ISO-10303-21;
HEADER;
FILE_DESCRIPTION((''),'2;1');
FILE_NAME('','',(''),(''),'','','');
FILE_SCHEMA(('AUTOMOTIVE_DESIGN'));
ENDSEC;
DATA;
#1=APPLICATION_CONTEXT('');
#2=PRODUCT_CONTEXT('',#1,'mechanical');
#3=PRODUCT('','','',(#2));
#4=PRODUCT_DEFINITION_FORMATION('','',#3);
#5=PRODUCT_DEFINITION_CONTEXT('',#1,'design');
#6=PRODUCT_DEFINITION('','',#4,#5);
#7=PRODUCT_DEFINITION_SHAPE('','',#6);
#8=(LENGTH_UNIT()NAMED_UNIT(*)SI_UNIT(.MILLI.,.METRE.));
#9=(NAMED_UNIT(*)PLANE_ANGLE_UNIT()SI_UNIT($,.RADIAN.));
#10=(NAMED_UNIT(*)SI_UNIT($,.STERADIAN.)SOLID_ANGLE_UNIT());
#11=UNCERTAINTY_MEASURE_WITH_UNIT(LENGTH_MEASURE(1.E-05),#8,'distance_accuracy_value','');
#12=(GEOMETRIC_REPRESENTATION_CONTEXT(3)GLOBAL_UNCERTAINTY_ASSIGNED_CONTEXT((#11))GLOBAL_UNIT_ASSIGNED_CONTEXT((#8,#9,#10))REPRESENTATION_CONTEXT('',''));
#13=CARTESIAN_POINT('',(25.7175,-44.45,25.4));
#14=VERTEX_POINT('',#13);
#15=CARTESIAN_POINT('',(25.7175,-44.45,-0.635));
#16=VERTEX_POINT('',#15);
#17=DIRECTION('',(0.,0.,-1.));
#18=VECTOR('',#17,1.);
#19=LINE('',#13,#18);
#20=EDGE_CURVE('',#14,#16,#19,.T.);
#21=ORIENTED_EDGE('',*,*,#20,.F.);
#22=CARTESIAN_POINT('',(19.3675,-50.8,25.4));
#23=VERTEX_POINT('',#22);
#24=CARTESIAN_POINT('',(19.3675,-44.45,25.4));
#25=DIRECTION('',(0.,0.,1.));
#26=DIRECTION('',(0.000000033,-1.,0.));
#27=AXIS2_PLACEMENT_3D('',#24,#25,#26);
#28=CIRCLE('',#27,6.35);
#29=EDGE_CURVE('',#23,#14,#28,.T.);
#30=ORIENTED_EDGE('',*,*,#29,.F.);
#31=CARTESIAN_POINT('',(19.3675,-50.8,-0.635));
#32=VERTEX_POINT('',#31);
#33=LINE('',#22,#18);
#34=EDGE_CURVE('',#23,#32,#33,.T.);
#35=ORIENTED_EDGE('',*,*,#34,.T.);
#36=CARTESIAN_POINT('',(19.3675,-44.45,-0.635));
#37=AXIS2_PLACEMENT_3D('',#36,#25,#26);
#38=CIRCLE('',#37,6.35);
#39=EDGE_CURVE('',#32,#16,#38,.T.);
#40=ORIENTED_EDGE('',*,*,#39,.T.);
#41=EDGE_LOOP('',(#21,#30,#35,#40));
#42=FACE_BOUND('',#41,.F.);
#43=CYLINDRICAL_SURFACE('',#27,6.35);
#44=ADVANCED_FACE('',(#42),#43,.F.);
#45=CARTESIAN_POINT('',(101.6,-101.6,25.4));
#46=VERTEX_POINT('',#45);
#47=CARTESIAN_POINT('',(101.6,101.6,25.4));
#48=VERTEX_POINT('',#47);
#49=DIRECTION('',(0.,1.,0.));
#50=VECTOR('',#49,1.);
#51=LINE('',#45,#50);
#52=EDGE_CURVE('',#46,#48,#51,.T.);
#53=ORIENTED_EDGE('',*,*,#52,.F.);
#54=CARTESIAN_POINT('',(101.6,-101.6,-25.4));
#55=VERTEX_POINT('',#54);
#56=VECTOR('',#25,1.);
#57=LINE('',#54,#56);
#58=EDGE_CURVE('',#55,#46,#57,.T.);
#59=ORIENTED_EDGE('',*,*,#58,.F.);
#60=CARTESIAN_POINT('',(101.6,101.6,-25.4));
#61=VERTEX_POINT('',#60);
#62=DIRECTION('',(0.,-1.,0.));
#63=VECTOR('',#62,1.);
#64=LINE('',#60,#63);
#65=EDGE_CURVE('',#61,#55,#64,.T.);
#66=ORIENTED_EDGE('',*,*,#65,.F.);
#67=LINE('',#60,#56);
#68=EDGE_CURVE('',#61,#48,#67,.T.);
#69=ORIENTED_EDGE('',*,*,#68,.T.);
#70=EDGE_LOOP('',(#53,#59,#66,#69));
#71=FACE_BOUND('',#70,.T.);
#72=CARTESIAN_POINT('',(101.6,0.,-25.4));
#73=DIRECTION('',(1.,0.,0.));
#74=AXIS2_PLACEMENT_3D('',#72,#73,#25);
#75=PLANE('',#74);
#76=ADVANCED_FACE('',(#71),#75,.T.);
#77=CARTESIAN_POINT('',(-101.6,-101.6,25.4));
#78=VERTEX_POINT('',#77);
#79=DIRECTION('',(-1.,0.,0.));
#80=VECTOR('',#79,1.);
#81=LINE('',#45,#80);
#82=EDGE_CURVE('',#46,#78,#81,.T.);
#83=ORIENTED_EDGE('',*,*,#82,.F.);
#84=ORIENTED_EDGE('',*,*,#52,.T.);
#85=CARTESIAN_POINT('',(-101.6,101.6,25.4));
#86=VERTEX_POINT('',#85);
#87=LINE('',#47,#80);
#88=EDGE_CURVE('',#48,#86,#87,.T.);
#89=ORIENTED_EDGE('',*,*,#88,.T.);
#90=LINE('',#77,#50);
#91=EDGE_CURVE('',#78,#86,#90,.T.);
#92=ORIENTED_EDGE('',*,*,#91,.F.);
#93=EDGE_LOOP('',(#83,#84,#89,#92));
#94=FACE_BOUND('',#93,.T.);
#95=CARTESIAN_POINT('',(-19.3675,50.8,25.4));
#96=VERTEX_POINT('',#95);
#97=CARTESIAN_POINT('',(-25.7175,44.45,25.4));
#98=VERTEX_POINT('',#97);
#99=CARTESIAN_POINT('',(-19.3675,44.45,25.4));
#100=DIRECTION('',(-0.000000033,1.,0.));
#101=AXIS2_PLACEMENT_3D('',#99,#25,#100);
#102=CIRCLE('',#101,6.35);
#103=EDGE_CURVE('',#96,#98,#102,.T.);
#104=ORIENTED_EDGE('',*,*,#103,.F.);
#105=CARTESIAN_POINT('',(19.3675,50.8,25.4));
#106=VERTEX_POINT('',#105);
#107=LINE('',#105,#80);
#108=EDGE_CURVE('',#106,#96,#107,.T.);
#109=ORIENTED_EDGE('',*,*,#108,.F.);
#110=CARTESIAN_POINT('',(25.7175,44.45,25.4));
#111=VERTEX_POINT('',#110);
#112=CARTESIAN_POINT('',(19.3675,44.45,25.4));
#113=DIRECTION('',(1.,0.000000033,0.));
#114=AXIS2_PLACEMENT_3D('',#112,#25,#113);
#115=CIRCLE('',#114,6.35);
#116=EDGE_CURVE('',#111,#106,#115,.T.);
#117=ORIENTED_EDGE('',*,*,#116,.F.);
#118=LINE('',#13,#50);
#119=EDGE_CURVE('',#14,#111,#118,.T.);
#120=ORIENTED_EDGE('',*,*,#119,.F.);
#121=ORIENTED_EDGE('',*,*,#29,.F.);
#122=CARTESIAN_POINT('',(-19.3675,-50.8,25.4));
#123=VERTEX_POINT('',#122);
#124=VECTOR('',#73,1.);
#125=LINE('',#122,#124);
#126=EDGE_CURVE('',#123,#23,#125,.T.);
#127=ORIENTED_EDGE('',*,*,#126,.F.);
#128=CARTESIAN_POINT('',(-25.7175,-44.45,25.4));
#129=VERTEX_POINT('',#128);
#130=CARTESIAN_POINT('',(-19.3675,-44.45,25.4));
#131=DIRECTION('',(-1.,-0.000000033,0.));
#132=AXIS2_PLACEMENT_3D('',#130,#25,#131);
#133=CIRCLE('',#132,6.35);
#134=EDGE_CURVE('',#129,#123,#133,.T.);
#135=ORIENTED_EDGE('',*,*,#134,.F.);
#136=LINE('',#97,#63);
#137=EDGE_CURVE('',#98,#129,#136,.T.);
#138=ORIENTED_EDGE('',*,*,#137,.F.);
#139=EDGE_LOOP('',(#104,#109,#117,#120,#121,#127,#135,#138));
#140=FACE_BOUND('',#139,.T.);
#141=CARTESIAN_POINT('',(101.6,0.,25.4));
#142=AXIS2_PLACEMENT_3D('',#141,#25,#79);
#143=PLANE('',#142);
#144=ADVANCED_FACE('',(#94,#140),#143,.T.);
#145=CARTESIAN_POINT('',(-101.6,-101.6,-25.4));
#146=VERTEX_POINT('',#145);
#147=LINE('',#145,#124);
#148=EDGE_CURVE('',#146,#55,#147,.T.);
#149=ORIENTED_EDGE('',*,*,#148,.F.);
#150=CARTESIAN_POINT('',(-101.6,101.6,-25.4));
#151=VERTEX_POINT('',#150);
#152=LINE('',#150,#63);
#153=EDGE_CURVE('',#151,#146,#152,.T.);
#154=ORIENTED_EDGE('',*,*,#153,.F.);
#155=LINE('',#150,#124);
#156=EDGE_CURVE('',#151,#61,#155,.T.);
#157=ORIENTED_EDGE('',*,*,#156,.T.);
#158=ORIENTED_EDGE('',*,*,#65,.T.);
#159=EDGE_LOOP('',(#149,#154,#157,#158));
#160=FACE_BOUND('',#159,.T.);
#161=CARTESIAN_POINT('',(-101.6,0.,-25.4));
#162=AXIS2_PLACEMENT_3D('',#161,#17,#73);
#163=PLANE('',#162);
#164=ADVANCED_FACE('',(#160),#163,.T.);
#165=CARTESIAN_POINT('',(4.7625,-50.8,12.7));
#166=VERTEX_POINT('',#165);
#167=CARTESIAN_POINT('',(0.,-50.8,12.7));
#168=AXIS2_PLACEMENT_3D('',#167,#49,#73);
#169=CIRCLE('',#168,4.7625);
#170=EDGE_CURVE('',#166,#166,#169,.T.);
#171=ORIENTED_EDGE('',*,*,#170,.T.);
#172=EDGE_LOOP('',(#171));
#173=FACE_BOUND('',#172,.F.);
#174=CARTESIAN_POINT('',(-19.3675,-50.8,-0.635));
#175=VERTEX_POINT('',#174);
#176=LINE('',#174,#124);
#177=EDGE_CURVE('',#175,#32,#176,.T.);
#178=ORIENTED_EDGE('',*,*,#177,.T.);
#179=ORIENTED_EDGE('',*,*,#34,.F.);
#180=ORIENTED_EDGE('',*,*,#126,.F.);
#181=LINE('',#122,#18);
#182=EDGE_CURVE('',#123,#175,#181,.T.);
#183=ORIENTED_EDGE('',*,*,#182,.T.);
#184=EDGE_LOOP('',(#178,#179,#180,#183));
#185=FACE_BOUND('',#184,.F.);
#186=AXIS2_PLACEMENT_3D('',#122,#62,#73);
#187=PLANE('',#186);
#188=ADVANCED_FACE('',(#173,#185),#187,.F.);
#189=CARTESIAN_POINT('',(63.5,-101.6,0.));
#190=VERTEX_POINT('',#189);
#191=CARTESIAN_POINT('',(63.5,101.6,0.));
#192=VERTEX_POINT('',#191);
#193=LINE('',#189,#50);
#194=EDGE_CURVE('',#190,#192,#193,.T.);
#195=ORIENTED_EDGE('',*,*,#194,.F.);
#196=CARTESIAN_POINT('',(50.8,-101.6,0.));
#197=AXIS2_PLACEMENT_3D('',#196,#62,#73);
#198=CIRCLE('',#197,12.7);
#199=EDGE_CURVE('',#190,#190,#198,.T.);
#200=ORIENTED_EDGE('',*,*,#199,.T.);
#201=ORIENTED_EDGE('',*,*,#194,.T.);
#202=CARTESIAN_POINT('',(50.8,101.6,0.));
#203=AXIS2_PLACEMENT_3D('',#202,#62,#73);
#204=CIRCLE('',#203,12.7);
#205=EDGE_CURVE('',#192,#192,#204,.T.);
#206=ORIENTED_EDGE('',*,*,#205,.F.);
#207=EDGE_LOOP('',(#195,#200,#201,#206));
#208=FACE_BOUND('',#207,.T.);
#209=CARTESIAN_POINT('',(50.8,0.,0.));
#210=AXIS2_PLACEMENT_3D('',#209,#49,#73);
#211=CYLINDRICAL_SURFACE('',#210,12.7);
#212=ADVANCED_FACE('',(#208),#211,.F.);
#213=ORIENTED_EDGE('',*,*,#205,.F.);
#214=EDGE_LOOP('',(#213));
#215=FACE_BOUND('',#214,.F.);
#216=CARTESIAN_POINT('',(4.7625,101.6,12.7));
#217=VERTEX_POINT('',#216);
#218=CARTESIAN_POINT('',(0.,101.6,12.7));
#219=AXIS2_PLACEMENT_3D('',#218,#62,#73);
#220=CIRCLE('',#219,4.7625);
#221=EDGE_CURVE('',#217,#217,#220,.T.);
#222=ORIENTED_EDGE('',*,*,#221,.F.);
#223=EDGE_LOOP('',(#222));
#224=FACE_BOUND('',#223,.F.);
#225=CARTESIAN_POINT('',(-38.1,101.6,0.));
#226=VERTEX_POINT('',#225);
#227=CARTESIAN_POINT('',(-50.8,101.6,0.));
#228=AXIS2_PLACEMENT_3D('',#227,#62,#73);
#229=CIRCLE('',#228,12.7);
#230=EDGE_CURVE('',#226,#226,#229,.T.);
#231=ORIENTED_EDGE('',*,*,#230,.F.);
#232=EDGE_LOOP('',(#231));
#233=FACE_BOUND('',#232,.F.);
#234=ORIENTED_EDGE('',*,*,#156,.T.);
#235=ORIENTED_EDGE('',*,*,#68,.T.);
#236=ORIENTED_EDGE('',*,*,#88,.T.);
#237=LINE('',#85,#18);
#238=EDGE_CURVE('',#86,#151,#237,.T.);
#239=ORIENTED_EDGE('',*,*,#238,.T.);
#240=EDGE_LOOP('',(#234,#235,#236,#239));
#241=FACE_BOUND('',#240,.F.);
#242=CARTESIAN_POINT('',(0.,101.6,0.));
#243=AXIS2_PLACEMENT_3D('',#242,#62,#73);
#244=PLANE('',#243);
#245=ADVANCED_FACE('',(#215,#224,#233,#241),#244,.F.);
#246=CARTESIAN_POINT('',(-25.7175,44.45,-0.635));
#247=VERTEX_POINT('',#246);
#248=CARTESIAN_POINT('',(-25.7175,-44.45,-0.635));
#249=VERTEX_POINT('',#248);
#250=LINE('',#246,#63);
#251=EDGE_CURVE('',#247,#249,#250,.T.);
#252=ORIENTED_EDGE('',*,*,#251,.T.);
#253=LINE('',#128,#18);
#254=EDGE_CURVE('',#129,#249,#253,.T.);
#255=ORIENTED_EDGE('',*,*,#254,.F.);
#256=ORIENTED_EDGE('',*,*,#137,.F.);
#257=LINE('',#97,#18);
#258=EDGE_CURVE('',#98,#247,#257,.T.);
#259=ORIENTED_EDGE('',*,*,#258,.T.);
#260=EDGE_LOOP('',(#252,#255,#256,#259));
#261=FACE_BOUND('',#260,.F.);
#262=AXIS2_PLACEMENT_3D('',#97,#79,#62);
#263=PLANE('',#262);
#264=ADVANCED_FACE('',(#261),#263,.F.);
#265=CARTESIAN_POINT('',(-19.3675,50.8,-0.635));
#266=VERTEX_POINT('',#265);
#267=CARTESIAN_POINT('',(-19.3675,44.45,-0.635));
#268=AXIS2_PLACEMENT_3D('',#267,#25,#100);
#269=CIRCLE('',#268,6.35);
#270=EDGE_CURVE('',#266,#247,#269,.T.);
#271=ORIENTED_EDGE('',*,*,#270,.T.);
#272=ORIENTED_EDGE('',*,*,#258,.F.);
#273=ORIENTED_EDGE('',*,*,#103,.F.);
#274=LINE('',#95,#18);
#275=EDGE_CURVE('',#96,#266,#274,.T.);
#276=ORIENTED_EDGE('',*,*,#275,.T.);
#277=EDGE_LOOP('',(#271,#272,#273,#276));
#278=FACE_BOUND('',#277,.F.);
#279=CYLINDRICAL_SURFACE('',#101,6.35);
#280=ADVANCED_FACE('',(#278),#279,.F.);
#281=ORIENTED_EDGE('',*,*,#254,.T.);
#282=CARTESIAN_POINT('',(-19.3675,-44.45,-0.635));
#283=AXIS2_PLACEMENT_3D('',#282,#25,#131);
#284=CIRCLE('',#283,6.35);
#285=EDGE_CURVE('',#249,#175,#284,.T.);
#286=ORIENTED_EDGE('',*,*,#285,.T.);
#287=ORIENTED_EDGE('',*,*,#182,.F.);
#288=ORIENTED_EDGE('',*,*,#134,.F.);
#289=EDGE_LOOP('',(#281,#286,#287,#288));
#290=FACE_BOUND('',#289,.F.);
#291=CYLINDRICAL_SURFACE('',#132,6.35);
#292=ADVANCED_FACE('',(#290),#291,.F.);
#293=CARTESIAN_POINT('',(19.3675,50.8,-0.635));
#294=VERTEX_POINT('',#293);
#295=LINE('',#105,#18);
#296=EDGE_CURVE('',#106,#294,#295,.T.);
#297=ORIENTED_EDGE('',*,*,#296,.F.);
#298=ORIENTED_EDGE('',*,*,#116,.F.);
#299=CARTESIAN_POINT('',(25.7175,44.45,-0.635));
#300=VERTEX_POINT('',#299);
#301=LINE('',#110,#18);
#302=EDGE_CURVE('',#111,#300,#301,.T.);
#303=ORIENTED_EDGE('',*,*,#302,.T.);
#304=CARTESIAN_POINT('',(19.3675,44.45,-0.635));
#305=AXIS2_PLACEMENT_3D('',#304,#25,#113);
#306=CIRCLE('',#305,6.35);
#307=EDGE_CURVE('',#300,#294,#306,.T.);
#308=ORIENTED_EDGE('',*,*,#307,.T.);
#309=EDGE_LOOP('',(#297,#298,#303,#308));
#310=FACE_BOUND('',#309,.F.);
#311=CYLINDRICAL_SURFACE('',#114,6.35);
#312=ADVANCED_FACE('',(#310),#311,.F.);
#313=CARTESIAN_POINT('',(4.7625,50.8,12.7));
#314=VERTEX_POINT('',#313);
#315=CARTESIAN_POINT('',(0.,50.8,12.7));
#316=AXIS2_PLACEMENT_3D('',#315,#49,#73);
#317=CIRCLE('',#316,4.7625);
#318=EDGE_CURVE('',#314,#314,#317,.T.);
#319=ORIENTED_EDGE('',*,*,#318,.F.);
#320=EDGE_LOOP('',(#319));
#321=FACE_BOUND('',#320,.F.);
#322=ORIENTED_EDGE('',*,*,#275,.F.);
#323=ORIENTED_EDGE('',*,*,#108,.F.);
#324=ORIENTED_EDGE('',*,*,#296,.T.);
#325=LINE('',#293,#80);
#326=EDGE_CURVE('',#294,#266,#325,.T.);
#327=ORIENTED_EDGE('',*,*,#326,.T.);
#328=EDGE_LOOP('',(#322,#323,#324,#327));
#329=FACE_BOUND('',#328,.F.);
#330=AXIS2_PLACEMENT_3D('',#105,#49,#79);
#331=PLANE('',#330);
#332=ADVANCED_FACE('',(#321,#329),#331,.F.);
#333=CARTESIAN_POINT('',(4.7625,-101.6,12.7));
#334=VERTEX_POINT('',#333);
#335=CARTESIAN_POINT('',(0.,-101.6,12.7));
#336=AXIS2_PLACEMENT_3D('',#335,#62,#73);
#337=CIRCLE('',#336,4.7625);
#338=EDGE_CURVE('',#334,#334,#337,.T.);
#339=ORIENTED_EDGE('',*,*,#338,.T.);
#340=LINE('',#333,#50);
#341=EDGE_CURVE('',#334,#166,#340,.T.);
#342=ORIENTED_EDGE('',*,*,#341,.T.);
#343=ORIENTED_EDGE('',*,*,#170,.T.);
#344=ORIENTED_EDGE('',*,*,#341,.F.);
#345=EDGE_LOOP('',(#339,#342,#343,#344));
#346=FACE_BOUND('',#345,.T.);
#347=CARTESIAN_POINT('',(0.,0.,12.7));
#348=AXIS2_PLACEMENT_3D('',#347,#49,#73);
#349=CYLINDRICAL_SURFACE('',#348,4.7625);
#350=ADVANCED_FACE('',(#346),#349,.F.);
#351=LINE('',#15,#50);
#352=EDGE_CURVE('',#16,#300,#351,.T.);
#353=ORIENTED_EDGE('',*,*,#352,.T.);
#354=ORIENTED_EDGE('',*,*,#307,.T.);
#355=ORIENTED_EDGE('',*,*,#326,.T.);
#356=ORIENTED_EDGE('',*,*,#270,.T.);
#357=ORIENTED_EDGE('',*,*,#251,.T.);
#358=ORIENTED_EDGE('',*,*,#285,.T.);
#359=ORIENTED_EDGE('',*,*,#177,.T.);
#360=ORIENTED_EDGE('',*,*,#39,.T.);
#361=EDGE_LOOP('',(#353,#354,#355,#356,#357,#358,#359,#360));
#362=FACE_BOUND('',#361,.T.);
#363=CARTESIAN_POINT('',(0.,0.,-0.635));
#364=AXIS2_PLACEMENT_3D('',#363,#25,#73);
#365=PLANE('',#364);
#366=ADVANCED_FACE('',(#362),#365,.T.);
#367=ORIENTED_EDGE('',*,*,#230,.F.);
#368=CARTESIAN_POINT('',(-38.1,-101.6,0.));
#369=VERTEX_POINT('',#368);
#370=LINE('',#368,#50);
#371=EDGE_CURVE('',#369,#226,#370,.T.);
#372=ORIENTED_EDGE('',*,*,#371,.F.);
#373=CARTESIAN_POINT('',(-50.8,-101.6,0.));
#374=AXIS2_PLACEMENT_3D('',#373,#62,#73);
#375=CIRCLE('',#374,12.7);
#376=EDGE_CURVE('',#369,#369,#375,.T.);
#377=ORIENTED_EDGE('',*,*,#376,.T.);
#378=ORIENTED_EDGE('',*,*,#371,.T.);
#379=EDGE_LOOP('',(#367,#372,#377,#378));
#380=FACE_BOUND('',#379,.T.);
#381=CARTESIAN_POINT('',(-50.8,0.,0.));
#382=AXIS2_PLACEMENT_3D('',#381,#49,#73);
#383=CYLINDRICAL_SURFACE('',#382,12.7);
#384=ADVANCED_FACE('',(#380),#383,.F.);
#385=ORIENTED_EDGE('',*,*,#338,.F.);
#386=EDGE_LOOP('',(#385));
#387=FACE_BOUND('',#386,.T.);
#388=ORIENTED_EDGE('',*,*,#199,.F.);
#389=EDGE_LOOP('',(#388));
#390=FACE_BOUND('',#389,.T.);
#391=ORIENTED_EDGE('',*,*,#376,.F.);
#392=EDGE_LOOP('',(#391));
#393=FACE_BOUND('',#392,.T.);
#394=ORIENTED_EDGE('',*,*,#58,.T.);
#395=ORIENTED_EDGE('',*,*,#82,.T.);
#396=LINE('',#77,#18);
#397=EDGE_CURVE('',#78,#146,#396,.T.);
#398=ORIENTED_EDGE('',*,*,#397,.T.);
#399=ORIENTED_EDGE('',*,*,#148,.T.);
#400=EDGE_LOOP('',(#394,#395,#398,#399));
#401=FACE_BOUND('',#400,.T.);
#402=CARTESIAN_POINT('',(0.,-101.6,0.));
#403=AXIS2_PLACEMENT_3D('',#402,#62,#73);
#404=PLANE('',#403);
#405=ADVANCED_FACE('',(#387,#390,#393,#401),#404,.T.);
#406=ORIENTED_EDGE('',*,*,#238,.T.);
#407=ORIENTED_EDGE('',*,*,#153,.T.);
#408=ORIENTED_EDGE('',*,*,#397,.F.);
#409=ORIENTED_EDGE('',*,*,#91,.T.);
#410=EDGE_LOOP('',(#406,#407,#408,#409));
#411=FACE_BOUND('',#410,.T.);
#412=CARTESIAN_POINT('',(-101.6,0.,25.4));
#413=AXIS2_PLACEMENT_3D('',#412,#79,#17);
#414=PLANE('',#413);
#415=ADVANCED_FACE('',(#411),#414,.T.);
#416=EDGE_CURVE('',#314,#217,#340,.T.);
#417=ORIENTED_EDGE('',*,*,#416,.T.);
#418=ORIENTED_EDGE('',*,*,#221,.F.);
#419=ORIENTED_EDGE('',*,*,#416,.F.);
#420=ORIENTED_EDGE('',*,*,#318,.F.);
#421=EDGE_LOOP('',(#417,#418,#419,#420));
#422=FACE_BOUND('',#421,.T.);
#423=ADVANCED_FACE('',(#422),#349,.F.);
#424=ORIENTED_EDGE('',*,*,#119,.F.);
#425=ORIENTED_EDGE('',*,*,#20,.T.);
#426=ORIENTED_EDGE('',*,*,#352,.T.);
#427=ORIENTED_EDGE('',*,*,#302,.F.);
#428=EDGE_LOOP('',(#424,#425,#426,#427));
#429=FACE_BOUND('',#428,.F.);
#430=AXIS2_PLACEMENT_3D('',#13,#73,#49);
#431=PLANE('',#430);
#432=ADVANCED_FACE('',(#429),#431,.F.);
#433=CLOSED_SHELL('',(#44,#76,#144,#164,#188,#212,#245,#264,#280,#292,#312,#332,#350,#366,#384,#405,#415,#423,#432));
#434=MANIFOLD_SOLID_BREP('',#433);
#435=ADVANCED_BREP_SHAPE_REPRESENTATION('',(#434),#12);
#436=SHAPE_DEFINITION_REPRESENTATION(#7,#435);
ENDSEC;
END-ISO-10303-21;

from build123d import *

# Parameters (mm, degrees)
F0_R     = 12.7
F0_R_2   = 4.7625
F1_DEPTH = 101.6
F3_DEPTH = 26.035


with BuildPart() as f1:
    # F0 (on Front) → F1 (new body, symmetric)
    with BuildSketch(Plane.XZ):
        Polygon((-101.6, 25.4), (-101.6, -25.4), (101.6, -25.4), (101.6, 25.4), (26.035, 25.4), (-26.035, 25.4), align=None)
        with Locations((-50.8, 0)):
            Circle(F0_R, mode=Mode.SUBTRACT)
        with Locations((50.8, 0)):
            Circle(F0_R, mode=Mode.SUBTRACT)
        with Locations((0, 12.7)):
            Circle(F0_R_2, mode=Mode.SUBTRACT)
    extrude(amount=F1_DEPTH, both=True)

    # F2 (on face) → F3 (cut)
    with BuildSketch(Plane.XY.offset(25.4)):
        with BuildLine():
            Line((-19.3675, -50.8), (19.3675, -50.8))
            ThreePointArc((19.3675, -50.8), (23.857628, -48.940128), (25.7175, -44.45))
            Line((25.7175, -44.45), (25.7175, 44.45))
            ThreePointArc((25.7175, 44.45), (23.857628, 48.940128), (19.3675, 50.8))
            Line((19.3675, 50.8), (-19.3675, 50.8))
            ThreePointArc((-19.3675, 50.8), (-23.857628, 48.940128), (-25.7175, 44.45))
            Line((-25.7175, 44.45), (-25.7175, -44.45))
            ThreePointArc((-25.7175, -44.45), (-23.857628, -48.940128), (-19.3675, -50.8))
        make_face()
    extrude(amount=-F3_DEPTH, mode=Mode.SUBTRACT)


solid = f1.part
